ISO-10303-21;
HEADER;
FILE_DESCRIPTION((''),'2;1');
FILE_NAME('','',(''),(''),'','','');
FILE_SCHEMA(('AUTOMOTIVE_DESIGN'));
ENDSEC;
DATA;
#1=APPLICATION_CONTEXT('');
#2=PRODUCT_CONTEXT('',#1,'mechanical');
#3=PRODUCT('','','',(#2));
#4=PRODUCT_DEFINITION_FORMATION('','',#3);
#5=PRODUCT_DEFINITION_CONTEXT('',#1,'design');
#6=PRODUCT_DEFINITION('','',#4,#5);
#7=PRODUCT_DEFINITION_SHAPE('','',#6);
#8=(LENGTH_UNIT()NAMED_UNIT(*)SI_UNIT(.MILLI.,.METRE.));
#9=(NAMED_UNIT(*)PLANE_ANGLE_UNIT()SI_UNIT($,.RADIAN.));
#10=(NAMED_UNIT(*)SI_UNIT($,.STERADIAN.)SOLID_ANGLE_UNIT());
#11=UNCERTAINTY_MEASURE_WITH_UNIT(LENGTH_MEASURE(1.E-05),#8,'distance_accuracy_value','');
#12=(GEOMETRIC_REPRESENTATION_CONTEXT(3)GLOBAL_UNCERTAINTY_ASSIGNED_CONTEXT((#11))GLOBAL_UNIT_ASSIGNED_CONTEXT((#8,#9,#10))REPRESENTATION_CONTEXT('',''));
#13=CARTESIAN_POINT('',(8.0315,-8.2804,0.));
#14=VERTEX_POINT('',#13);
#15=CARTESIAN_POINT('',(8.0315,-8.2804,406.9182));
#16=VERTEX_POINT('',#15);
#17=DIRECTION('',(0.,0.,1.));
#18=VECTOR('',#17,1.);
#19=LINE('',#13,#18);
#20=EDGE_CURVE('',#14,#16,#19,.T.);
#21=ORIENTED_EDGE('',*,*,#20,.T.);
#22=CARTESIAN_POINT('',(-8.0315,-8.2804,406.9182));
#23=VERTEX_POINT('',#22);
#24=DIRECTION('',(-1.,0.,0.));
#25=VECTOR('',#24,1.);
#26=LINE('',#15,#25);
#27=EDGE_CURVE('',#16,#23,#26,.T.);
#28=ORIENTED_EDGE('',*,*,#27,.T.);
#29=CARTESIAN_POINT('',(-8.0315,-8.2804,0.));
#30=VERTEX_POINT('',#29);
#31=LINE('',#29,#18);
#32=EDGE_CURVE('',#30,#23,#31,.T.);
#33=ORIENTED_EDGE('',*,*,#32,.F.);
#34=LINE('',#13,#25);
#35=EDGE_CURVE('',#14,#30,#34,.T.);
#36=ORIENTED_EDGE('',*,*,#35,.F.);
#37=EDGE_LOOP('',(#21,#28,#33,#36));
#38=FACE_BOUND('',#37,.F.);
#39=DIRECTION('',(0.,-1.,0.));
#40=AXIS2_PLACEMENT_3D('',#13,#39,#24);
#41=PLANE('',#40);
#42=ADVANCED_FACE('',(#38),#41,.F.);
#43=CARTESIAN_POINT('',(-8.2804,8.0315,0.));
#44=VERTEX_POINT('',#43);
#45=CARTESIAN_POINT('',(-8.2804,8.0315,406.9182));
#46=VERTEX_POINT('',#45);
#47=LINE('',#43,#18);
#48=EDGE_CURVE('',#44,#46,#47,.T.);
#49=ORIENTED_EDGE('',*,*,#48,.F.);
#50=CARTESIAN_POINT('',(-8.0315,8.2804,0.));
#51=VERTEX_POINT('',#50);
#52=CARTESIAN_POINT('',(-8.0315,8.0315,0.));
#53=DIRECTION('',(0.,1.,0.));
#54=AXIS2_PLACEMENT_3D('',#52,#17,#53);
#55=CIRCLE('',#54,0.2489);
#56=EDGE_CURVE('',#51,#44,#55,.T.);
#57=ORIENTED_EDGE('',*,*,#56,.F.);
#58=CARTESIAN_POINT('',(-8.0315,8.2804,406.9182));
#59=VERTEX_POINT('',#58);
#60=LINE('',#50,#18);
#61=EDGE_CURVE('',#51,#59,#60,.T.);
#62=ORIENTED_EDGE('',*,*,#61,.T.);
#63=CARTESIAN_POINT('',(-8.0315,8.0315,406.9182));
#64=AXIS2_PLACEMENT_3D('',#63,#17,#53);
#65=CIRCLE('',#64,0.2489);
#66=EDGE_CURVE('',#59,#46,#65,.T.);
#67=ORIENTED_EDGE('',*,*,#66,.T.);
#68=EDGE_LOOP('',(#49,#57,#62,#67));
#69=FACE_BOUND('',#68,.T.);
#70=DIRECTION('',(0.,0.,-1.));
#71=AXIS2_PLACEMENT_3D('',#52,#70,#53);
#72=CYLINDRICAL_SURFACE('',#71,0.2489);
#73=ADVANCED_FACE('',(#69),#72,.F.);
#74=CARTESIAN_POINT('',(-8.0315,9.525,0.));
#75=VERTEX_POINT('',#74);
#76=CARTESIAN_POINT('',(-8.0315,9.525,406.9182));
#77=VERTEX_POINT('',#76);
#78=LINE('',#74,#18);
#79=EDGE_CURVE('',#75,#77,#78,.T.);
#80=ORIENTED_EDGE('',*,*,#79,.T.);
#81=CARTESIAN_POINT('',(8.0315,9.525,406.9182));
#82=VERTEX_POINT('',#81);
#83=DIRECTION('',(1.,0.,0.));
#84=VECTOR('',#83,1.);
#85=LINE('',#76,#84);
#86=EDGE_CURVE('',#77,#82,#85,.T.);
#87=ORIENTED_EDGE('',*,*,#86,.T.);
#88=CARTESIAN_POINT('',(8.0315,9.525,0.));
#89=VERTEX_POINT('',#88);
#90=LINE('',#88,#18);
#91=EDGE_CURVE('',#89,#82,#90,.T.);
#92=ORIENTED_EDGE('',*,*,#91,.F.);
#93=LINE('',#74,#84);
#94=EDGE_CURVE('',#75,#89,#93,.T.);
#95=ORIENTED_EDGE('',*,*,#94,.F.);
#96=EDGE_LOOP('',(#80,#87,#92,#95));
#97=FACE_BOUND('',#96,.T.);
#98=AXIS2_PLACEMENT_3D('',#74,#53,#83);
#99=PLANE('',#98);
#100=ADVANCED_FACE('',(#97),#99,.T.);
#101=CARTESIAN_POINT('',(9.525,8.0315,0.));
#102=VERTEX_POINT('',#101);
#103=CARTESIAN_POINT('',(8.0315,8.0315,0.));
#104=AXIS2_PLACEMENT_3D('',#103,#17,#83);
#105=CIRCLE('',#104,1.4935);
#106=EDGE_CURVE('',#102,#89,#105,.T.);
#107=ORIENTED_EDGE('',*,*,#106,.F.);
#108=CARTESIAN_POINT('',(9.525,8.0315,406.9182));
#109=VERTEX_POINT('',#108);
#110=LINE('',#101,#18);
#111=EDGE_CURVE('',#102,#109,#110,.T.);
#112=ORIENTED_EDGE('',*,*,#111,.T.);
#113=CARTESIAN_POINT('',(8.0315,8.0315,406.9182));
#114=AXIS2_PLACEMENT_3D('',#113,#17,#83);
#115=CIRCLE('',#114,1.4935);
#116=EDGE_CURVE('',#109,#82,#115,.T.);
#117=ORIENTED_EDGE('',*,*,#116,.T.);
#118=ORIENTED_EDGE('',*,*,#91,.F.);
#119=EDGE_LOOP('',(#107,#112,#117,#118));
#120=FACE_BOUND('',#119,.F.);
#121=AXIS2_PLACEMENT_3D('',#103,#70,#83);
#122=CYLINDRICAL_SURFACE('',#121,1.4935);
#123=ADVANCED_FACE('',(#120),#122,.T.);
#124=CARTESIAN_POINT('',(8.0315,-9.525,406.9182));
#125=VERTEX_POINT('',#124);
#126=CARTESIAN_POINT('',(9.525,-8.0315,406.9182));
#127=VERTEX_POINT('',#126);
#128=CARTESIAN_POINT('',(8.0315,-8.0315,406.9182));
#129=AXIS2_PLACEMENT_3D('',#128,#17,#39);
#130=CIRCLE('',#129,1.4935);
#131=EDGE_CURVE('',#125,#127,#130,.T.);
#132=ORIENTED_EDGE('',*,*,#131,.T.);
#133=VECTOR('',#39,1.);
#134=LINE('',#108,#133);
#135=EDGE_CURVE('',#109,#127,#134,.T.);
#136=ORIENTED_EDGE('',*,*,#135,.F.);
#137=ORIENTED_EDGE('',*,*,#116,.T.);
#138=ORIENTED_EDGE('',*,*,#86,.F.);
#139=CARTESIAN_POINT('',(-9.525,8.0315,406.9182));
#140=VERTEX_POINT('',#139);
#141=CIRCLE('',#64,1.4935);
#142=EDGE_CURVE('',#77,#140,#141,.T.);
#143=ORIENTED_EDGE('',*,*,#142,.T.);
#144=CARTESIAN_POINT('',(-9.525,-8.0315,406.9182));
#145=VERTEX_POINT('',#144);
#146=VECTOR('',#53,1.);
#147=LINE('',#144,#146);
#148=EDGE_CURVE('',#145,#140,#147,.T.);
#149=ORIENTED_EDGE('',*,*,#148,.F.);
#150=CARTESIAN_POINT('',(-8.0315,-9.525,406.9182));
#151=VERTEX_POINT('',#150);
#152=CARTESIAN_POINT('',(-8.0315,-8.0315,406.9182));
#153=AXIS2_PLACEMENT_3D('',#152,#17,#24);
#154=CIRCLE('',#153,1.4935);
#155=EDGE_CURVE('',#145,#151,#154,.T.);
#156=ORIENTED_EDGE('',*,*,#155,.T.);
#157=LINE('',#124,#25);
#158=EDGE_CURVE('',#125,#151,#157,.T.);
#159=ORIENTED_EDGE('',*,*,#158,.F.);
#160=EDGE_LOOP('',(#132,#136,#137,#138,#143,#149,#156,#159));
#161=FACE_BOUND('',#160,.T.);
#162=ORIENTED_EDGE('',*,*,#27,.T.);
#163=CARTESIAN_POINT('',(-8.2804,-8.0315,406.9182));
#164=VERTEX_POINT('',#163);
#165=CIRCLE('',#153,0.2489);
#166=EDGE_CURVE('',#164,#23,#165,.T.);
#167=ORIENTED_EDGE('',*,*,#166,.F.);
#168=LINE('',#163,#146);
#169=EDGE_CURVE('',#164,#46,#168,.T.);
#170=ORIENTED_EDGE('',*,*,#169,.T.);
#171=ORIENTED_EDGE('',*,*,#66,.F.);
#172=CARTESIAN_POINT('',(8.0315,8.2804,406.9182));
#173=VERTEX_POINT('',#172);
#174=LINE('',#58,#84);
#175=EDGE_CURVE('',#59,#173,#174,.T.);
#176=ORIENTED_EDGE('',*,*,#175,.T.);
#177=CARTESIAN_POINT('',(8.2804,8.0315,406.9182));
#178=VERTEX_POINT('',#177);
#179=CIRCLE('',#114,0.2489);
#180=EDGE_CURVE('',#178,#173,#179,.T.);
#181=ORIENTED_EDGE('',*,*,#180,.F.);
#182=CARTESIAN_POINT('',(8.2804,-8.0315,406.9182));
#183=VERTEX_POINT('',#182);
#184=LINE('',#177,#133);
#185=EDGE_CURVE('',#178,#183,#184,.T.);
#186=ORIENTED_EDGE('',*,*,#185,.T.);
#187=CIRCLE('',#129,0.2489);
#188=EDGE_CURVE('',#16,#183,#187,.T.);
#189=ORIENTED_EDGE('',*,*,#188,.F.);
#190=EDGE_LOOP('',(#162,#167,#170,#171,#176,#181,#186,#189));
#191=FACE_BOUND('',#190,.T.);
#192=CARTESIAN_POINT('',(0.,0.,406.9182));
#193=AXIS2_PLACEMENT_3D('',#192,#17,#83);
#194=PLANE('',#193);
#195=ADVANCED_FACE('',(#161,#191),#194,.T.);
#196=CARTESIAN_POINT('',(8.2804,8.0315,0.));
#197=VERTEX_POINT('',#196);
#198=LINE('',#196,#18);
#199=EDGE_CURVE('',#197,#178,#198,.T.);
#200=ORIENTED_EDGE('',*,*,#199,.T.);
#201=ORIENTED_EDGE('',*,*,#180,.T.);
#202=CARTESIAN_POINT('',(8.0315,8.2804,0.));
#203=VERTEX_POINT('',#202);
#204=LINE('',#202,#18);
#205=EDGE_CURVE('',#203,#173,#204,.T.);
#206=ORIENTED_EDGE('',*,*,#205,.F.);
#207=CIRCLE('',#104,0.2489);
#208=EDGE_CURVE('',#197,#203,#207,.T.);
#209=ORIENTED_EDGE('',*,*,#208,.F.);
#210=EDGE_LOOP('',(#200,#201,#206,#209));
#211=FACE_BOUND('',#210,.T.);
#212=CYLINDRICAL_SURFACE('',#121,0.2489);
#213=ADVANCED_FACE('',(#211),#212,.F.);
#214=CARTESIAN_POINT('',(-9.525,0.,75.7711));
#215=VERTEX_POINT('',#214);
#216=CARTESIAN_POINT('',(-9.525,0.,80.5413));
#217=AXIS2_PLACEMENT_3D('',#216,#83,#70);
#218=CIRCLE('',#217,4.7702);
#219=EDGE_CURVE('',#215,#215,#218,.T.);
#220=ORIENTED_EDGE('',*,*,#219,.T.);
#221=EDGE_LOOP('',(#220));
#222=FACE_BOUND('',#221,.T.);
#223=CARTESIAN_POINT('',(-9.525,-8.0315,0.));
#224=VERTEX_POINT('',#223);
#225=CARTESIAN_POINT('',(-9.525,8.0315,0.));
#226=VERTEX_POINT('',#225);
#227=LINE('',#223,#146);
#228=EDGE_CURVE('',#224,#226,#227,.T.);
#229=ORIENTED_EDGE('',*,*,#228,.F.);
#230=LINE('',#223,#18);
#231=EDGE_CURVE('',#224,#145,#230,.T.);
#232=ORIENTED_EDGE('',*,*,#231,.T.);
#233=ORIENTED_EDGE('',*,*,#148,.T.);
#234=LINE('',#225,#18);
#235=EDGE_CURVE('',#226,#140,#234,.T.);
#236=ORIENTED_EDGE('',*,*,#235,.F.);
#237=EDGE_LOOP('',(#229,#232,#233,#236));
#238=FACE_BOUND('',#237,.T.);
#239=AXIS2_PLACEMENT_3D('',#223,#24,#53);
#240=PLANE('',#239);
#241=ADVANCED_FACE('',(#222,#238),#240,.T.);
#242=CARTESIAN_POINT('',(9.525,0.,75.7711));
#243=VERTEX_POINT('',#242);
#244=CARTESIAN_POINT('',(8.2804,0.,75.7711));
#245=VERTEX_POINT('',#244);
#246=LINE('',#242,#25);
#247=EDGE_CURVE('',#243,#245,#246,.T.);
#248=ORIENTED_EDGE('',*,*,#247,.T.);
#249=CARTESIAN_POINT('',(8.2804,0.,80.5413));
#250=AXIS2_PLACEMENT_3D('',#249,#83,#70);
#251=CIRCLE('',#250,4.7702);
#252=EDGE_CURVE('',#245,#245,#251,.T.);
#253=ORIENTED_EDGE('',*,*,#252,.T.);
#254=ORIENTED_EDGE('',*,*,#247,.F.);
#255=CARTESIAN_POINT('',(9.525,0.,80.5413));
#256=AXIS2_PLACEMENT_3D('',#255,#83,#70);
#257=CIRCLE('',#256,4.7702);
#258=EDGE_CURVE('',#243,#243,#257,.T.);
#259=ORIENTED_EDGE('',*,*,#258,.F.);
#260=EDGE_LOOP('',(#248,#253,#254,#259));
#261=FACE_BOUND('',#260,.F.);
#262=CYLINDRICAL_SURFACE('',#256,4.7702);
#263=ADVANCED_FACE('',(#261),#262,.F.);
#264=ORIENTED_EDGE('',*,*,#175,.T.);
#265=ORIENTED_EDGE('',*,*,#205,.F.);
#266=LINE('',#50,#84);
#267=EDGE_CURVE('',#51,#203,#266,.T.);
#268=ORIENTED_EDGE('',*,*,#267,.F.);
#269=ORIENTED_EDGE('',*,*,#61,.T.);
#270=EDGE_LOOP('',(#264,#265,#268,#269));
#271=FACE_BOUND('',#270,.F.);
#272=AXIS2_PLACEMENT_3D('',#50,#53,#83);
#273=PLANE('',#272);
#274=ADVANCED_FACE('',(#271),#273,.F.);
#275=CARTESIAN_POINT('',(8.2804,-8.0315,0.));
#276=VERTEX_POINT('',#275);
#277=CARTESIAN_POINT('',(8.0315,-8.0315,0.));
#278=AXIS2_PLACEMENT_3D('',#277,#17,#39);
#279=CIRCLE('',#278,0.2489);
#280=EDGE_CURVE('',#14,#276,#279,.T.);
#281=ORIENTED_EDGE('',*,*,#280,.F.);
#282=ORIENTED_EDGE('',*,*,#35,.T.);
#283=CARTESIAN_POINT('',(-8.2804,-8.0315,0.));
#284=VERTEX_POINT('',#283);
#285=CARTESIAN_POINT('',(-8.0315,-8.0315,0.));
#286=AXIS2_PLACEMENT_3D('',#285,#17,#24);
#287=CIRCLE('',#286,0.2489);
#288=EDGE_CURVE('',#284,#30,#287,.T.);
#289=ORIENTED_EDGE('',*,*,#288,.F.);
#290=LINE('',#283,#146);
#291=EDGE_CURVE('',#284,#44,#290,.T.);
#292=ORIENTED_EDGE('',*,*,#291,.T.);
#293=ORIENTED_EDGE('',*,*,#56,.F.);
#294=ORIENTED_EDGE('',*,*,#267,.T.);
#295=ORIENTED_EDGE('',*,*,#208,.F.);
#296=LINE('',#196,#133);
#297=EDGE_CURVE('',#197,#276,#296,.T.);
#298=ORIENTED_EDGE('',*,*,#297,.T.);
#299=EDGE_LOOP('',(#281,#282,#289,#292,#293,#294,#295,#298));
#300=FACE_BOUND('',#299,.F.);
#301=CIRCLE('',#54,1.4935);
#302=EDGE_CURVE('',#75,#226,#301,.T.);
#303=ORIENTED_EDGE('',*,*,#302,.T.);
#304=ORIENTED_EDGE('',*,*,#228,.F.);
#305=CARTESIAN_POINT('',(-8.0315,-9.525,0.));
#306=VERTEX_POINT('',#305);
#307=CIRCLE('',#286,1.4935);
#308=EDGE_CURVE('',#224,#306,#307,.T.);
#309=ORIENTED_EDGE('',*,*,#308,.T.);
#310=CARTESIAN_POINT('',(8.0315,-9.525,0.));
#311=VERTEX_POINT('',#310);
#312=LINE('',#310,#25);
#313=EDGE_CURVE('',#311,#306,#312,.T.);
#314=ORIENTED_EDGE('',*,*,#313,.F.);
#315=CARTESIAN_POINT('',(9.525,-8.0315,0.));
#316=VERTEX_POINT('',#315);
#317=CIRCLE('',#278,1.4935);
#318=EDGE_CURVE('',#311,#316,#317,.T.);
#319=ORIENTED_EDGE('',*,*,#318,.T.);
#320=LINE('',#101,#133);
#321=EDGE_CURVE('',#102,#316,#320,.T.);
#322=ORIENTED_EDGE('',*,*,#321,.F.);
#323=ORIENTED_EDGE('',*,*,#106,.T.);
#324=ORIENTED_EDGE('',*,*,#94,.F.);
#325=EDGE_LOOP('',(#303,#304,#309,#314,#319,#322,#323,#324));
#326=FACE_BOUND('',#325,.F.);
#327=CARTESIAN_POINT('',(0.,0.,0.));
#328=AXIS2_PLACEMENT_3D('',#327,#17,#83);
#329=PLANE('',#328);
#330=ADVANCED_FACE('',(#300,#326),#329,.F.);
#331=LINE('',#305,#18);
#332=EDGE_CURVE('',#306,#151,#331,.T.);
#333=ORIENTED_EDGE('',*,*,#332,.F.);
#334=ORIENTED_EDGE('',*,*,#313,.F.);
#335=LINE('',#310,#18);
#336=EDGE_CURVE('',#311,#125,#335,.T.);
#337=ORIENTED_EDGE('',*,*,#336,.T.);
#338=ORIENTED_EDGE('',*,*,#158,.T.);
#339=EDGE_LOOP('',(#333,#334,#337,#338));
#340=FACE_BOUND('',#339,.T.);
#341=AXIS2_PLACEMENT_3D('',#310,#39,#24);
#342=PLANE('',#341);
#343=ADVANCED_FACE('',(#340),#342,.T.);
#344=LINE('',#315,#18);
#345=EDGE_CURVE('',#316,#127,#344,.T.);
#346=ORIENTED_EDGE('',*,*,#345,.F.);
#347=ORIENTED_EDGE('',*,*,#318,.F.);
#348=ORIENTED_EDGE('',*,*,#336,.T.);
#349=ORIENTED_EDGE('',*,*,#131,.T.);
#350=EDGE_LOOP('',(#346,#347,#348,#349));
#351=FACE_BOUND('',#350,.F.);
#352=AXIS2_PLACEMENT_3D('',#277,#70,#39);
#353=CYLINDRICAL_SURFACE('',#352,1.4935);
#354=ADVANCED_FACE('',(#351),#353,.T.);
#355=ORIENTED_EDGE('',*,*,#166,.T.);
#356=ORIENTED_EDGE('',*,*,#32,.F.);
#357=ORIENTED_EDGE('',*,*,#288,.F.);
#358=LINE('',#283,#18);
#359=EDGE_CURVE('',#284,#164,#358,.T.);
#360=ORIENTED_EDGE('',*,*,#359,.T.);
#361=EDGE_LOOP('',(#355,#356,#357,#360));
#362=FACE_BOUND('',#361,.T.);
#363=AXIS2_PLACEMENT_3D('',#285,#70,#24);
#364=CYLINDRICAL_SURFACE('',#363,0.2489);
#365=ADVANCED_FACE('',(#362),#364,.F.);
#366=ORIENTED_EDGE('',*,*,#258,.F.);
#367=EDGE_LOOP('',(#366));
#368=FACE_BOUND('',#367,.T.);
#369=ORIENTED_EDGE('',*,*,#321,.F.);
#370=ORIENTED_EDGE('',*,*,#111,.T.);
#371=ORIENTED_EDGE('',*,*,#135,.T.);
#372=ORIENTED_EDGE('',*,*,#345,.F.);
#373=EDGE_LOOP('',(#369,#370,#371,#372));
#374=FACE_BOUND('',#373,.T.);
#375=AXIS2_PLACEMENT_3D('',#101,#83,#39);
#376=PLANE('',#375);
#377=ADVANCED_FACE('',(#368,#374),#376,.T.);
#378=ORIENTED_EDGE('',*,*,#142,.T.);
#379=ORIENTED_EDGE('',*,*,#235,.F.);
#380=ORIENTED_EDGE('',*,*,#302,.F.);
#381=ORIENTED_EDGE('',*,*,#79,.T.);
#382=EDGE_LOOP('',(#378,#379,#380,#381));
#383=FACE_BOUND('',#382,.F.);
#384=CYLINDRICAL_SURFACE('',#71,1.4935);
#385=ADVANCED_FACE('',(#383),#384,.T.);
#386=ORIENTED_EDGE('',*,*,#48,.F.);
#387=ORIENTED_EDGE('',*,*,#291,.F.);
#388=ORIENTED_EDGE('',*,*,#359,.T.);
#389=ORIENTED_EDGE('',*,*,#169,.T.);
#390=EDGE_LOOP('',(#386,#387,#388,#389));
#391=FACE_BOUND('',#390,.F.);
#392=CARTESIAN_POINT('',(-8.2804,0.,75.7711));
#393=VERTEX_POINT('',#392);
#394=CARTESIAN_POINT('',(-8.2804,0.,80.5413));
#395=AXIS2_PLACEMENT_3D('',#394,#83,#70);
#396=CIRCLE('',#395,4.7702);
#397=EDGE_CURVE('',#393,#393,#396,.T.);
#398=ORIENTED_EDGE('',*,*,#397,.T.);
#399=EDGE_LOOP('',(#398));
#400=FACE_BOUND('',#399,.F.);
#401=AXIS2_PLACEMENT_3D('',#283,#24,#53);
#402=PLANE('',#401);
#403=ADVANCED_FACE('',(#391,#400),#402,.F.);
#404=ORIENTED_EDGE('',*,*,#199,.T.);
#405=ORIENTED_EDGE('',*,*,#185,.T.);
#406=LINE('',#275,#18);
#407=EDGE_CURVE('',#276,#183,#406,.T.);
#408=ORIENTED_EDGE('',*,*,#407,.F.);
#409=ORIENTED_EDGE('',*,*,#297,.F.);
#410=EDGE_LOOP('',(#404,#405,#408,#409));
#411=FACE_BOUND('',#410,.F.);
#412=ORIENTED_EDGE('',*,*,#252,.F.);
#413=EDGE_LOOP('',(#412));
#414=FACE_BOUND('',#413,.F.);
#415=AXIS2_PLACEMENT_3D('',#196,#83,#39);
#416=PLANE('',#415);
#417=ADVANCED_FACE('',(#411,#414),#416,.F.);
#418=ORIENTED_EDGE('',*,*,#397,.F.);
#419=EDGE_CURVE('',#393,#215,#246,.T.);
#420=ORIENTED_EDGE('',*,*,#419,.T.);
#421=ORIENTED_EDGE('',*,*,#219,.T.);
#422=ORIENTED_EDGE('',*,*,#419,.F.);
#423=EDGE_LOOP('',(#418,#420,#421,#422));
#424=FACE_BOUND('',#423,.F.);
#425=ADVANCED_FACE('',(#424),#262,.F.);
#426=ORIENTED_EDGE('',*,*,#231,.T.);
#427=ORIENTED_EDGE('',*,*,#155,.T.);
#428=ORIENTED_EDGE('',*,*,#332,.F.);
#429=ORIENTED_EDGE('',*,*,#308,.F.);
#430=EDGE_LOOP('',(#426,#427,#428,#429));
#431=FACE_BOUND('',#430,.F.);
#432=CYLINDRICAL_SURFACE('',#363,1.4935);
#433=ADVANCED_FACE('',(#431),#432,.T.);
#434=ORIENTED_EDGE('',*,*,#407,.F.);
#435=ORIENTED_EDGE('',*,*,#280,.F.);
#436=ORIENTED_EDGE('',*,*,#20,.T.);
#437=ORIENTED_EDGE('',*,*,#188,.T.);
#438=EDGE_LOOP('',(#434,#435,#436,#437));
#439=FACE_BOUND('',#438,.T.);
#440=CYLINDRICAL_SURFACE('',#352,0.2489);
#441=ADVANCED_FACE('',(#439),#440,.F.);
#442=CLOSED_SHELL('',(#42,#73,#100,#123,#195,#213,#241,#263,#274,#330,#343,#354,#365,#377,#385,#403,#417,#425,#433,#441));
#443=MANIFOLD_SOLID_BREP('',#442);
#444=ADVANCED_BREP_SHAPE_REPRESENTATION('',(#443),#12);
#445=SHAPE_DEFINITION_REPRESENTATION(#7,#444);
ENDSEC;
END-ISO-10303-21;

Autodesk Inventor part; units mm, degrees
ref_plane "YZ Plane" through (0, 0, 0) normal (1, 0, 0) x (0, 1, 0)
ref_plane "Start Plane" through (0, 0, 0) normal (0, 0, 1) x (1, 0, 0)
ref_plane "End Plane" through (0, 0, 406.9182) normal (0, 0, 1) x (1, 0, 0)
sketch "Sketch" plane through (0, 0, 0) normal (0, 0, 1) x (1, 0, 0)
  line L0 (-9.525, -8.0315) -> (-9.525, 8.0315)
  line L1 (-8.0315, 9.525) -> (8.0315, 9.525)
  line L2 (9.525, 8.0315) -> (9.525, -8.0315)
  line L3 (8.0315, -9.525) -> (-8.0315, -9.525)
  arc A0 (-9.525, -8.0315) -> (-8.0315, -9.525) centre (-8.0315, -8.0315) ccw
  arc A1 (-8.0315, 9.525) -> (-9.525, 8.0315) centre (-8.0315, 8.0315) ccw
  arc A2 (9.525, 8.0315) -> (8.0315, 9.525) centre (8.0315, 8.0315) ccw
  arc A3 (8.0315, -9.525) -> (9.525, -8.0315) centre (8.0315, -8.0315) ccw
  arc A4 (-8.0315, 8.2804) -> (-8.2804, 8.0315) centre (-8.0315, 8.0315) ccw
  line L4 (-8.0315, 8.2804) -> (8.0315, 8.2804)
  arc A5 (8.2804, 8.0315) -> (8.0315, 8.2804) centre (8.0315, 8.0315) ccw
  line L5 (8.2804, 8.0315) -> (8.2804, -8.0315)
  arc A6 (8.0315, -8.2804) -> (8.2804, -8.0315) centre (8.0315, -8.0315) ccw
  line L6 (8.0315, -8.2804) -> (-8.0315, -8.2804)
  arc A7 (-8.2804, -8.0315) -> (-8.0315, -8.2804) centre (-8.0315, -8.0315) ccw
  line L7 (-8.2804, -8.0315) -> (-8.2804, 8.0315)
  line L8 (0, 13.768) -> (0, -13.768) construction
  line L9 (-13.8012, 0) -> (13.9669, 0) construction
  dimension "d10" = 19.05
  dimension "d11" = 19.05
  dimension "d12" = 1.2446
  dimension "d15" = 9.525
  dimension "d16" = 9.525
  dimension "d17" = 1.4935
extrude "Body" add sketch "Sketch" along normal up to surface (406.9182 mm away) from surface at 0
sketch "Sketch3" plane through (0, 0, 0) normal (0, 0, 1) x (1, 0, 0)
  line L0 (0, 0) -> (10, 0)
ref_plane "Work Plane3" through (0, 0, 0) normal (0, -1, 0) x (1, 0, 0)
sketch "Sketch5" plane through (9.525, -8.0315, 406.9182) normal (1, 0, 0) x (0, 0, -1)
  circle A0 centre (326.3769, 8.0315) radius 4.7702
  line L0 (0, 16.063) -> (0, 0) projected
  line L1 (406.9182, 0) -> (0, 0) projected
  line L2 (406.9182, 16.063) -> (406.9182, 0) projected
  line L3 (406.9182, 16.063) -> (0, 16.063) projected
  line L4 (406.9182, 16.063) -> (406.9182, 0) projected
  point P0 (406.9182, 8.0315)
  point P1 (406.9182, 8.0315)
extrude "Extrusion2" cut sketch "Sketch5" against normal through all contours A0
sketch "Sketch4" plane through (0, 0, 0) normal (0, -1, 0) x (1, 0, 0)
  line L0 (-2, 0) -> (12, 0) projected
  line L1 (-2, 406.9182) -> (12, 406.9182) projected
  dimension "d19" = 406.9182
equation "\"d10\" = G_H"
equation "\"d11\" = G_W"
equation "\"d12\" = G_T"
equation "\"d15\" = 0.5 * d10"
equation "\"d16\" = 0.5 * d11"
equation "\"d17\" = G_IR"
equation "\"d3\" = G_L"
equation "\"G_W\" = 19.05"
equation "\"G_H\" = 19.05"
equation "\"G_T\" = 1.2446"
equation "\"G_IR\" = 1.2 * G_T"
equation "\"G_L\" = d19"
equation "\"G_OFFSET_START\" = 0"
equation "\"G_OFFSET_END\" = 0"
equation "\"d14\" = G_OFFSET_END + B_L"
equation "\"B_L\" = 406.91824"
properties part number "ASTM A513 - 3/4 x 3/4 x 49/1000 - 16.02" material "Steel, Mild"
